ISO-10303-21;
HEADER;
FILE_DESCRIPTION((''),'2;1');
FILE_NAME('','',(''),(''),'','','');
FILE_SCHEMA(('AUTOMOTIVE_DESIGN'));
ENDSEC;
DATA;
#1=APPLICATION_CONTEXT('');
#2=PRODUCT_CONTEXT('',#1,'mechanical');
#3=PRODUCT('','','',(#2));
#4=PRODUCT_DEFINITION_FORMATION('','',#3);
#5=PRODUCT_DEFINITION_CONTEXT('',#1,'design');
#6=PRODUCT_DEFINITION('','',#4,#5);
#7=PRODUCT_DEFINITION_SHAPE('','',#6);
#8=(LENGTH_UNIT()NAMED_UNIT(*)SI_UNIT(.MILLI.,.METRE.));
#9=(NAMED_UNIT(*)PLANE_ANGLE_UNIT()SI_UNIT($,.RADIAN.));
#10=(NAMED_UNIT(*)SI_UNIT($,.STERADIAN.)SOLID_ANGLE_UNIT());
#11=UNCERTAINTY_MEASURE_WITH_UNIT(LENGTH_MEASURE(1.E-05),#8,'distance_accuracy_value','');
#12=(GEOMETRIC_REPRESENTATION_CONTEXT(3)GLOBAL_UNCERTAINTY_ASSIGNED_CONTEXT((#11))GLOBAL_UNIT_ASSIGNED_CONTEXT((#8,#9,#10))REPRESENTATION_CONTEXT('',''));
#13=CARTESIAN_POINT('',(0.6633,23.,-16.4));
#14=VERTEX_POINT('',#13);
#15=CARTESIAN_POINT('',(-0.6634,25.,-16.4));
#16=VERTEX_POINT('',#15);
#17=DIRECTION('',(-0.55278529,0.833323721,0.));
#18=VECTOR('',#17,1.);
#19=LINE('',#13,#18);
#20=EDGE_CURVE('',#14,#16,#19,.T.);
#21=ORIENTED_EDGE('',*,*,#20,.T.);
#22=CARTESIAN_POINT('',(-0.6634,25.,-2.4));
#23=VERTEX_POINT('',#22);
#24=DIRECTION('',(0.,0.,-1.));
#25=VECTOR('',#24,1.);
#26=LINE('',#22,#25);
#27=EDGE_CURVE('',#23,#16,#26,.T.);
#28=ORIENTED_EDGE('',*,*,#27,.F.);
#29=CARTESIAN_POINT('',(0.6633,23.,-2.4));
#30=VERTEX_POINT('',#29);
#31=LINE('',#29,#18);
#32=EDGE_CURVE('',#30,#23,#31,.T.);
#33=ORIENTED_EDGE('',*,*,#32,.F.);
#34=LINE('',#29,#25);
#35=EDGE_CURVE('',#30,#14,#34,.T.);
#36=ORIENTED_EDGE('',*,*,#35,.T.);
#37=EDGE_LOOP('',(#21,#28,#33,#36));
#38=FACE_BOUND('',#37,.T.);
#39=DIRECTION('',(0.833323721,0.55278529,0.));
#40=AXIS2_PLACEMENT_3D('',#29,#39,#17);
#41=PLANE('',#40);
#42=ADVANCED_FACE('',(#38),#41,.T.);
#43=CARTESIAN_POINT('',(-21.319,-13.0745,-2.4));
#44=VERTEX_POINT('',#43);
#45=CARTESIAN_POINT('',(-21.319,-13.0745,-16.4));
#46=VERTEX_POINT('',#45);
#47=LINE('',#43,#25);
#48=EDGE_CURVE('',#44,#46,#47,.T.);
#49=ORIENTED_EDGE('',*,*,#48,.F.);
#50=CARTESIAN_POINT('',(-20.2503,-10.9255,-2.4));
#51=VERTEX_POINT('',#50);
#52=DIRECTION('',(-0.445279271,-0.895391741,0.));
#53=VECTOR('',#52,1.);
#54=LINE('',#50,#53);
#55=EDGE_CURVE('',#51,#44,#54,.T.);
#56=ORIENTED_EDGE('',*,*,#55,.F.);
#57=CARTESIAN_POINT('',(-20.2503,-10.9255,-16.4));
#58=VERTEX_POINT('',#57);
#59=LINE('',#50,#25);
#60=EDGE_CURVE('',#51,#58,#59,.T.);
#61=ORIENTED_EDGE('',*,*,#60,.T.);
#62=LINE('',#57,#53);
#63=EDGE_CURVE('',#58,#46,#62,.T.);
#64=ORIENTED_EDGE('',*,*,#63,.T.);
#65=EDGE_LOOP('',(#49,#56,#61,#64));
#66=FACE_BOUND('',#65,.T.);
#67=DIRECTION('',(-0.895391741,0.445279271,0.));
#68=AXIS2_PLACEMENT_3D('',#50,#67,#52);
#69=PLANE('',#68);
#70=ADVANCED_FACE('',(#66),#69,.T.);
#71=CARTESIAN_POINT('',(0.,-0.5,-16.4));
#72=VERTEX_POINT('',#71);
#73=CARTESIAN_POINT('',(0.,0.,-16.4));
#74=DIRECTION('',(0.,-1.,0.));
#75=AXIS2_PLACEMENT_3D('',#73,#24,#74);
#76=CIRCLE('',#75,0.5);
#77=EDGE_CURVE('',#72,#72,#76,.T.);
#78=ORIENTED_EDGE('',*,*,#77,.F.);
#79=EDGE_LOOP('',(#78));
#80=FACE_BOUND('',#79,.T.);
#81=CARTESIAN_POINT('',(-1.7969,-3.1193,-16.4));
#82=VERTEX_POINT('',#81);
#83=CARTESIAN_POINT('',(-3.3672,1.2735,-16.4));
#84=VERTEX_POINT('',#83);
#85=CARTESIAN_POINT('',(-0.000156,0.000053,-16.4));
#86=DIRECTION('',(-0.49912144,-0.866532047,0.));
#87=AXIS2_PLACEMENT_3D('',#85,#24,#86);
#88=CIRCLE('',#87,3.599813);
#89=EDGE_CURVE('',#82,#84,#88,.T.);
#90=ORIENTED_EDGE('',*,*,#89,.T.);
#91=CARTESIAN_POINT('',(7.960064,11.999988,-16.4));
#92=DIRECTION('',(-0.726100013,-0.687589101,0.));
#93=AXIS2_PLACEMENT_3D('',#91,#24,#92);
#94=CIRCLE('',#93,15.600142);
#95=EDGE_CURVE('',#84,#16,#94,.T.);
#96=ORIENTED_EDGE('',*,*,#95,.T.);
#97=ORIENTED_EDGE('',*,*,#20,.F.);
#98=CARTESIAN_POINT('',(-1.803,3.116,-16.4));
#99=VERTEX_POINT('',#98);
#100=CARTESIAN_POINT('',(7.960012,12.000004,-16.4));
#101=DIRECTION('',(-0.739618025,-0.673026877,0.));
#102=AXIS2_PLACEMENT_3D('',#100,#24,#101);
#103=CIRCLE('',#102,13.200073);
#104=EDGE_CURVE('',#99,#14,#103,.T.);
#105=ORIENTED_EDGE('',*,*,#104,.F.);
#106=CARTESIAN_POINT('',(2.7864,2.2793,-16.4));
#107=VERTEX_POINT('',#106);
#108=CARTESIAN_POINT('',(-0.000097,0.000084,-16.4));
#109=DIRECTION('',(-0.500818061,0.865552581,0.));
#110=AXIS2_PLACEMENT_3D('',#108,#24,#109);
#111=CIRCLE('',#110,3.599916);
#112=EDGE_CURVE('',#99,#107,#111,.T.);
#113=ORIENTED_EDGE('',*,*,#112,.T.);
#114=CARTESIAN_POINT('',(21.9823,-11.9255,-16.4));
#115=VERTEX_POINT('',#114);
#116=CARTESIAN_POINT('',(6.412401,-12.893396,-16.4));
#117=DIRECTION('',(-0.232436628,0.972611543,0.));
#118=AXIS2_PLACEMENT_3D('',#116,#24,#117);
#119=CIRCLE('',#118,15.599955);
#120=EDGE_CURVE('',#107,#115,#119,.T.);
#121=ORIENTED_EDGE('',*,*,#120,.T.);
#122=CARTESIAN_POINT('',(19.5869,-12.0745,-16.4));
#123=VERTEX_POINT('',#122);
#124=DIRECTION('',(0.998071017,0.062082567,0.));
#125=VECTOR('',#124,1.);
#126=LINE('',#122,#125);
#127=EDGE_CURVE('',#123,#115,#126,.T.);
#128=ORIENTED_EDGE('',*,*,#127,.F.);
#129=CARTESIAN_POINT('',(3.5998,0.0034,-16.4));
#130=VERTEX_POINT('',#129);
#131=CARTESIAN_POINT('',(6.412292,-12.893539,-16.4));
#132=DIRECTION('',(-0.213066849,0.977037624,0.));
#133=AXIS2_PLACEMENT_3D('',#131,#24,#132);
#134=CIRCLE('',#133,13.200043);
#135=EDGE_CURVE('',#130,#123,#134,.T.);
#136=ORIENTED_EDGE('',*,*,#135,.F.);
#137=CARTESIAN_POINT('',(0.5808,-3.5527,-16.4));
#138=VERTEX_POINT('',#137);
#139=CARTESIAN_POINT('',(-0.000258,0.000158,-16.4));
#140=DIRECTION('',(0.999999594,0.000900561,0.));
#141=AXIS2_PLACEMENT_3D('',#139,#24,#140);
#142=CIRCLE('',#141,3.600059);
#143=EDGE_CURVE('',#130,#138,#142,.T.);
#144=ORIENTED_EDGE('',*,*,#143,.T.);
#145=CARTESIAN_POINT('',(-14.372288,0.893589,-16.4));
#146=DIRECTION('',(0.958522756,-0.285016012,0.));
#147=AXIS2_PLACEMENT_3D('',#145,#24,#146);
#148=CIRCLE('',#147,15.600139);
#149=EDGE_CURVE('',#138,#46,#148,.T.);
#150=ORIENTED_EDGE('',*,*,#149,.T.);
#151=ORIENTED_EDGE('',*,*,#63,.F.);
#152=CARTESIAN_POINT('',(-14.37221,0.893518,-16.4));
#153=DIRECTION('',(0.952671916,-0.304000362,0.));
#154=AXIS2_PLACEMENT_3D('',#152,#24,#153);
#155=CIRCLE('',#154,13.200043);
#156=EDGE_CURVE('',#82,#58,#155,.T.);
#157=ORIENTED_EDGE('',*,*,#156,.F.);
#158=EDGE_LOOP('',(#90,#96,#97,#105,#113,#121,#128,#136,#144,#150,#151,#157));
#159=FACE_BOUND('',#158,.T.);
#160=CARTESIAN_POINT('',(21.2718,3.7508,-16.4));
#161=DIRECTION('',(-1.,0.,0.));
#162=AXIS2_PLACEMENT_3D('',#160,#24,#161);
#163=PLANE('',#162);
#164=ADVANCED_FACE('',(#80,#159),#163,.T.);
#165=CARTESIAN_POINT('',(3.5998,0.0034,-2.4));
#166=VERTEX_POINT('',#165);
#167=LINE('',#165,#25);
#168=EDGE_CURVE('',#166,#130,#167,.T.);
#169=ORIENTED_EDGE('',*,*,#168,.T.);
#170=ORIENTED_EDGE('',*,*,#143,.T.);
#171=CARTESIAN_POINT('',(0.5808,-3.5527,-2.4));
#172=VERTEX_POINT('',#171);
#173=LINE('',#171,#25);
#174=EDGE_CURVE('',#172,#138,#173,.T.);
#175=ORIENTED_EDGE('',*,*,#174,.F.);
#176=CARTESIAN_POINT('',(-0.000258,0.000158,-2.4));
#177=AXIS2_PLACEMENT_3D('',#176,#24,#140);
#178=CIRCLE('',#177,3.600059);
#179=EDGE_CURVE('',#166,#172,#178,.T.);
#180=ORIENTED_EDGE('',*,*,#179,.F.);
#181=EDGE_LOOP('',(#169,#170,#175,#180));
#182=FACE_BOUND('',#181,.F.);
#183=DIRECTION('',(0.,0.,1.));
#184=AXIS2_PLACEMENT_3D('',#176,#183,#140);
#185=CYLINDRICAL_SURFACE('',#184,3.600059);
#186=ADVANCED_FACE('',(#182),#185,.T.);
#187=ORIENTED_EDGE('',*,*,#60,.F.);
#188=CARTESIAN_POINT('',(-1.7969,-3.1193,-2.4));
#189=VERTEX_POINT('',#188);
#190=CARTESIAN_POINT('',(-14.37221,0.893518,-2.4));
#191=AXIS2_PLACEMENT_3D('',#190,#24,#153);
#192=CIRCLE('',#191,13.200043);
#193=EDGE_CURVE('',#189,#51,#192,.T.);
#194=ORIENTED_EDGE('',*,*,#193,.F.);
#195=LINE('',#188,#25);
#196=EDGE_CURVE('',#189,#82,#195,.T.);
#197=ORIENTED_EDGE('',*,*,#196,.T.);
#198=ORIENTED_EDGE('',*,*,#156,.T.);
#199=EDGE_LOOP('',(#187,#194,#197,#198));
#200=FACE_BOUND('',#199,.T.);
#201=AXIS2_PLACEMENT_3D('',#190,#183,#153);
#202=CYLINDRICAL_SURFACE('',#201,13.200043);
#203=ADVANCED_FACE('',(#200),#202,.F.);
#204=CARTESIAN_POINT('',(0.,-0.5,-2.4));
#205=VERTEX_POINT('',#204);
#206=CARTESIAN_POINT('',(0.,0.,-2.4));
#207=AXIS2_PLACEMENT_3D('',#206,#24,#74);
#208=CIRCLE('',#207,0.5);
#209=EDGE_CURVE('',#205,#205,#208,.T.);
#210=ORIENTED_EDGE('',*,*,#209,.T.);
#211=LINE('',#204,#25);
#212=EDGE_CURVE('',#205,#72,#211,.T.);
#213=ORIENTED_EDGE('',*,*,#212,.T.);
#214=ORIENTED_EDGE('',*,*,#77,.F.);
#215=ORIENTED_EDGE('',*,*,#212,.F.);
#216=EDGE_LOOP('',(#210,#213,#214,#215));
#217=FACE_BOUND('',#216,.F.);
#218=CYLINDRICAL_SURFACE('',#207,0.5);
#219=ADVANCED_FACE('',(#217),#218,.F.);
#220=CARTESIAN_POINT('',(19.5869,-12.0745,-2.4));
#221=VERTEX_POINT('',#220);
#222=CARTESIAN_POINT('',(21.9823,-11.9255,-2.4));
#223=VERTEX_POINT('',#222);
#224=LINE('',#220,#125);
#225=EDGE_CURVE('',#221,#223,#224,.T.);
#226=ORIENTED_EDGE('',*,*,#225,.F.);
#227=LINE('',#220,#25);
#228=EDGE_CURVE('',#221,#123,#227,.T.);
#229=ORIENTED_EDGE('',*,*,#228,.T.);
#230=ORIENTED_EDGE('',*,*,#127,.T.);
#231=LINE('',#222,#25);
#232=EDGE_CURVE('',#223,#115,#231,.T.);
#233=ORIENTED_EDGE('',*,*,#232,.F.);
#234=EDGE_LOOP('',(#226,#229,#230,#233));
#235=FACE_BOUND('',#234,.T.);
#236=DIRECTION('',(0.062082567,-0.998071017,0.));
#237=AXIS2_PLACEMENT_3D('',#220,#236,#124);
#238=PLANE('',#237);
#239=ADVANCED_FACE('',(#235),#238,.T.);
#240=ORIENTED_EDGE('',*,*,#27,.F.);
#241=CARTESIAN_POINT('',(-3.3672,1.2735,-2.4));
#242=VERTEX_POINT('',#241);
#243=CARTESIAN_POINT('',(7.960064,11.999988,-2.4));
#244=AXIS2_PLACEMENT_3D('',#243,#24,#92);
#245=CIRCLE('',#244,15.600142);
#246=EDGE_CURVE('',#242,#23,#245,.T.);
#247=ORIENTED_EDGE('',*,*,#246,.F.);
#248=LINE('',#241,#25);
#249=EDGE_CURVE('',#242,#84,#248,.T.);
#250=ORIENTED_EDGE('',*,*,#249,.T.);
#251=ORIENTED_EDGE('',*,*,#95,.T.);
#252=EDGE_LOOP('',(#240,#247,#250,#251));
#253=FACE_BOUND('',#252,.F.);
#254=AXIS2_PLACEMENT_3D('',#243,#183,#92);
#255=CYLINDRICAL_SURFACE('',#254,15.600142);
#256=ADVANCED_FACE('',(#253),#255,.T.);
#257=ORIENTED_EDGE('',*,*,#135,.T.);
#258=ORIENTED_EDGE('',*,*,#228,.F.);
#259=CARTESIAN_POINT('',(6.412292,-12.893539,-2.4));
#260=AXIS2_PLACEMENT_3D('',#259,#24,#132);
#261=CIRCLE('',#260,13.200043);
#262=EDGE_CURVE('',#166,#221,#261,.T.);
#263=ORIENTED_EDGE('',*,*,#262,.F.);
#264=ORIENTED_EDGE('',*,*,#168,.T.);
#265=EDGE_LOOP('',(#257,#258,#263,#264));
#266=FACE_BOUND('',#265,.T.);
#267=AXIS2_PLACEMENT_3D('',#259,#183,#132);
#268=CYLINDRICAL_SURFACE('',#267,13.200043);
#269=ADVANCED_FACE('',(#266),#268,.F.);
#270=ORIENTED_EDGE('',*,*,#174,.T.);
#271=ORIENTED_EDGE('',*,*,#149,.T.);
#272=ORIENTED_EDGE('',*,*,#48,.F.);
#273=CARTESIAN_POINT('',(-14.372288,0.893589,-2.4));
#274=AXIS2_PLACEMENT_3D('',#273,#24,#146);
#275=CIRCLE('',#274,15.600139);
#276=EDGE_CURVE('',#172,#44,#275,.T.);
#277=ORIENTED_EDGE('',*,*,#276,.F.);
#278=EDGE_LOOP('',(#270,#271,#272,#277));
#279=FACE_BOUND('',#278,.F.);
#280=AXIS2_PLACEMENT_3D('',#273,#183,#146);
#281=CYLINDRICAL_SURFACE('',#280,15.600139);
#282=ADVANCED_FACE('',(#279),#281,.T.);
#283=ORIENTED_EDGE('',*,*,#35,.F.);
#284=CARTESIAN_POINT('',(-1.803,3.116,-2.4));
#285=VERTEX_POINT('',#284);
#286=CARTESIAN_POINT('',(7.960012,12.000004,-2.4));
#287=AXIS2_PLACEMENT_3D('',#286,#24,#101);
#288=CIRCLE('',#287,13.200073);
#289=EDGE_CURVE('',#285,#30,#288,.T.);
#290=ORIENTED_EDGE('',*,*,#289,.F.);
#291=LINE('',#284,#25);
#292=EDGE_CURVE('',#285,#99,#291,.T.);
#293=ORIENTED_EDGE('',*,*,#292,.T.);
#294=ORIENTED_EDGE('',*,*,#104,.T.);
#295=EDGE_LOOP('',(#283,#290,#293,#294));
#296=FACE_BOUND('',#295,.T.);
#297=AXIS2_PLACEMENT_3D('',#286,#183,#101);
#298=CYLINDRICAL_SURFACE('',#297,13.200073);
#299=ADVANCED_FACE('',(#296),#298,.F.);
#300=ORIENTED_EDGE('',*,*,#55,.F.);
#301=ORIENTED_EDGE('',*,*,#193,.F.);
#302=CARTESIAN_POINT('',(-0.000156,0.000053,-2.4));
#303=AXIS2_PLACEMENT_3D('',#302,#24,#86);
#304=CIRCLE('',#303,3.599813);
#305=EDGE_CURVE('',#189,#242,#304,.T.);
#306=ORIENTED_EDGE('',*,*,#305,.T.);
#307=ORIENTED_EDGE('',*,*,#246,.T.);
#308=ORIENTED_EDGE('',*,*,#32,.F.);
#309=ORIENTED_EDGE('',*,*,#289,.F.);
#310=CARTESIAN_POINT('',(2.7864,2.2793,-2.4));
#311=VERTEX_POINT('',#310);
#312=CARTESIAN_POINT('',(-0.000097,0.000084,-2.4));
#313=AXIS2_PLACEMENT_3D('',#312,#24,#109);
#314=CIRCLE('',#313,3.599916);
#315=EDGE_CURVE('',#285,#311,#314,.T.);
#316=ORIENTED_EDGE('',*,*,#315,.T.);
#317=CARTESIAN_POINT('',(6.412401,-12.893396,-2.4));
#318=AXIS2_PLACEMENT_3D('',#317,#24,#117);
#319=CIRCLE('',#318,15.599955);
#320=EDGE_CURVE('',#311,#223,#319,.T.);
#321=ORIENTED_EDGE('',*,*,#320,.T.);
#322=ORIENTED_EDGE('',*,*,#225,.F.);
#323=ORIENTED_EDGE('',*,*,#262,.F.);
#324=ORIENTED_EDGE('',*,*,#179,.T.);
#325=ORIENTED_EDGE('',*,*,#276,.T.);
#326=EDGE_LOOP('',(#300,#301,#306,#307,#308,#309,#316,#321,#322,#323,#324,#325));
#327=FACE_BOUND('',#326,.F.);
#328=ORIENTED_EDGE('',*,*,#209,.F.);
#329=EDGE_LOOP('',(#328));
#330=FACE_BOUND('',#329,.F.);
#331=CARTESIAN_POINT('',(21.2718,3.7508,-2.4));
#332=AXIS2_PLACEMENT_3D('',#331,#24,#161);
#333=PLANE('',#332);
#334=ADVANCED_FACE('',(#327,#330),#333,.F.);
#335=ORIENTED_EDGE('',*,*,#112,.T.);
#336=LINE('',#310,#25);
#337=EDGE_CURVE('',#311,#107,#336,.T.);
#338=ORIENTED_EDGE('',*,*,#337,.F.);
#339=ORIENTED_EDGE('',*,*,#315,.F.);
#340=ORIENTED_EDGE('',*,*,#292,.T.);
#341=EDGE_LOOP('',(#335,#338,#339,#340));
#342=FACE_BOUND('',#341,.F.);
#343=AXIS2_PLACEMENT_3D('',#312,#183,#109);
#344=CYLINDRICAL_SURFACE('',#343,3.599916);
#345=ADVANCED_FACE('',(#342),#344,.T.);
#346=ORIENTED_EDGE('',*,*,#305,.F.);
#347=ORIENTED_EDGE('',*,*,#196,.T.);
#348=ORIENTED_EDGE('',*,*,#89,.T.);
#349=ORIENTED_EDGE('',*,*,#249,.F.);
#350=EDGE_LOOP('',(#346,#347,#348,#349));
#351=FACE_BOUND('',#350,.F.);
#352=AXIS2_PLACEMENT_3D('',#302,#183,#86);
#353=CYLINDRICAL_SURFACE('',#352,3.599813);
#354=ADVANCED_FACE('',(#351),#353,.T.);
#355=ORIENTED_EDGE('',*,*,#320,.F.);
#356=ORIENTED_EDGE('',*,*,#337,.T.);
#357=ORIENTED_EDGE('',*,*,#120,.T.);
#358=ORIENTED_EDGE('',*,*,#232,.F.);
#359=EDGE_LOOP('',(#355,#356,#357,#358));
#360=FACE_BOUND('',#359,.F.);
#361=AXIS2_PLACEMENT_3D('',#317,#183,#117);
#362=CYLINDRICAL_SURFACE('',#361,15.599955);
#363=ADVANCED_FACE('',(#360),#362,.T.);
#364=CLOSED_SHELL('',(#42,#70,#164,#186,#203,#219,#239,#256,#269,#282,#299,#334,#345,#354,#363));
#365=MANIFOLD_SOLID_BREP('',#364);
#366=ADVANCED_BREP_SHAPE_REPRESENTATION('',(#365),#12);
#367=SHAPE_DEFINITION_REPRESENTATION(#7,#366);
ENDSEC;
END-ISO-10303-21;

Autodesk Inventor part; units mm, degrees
ref_plane "YZ Plane" through (0, 0, 0) normal (1, 0, 0) x (0, 1, 0)
ref_plane "XZ Plane" through (0, 0, 0) normal (0, 1, 0) x (-1, 0, 0)
ref_plane "XY Plane" through (0, 0, 0) normal (0, 0, 1) x (1, 0, 0)
ref_plane "Work Plane4" through (21.2718, 3.7508, -2.4) normal (0, 0, -1) x (-1, 0, 0)
sketch "Sketch5" plane through (21.2718, 3.7508, -2.4) normal (0, 0, -1) x (-1, 0, 0)
  arc A0 (24.639, -2.4773) -> (21.9352, 21.2492) centre (13.3117, 8.2492) ccw
  arc A1 (23.0748, -0.6348) -> (20.6085, 19.2492) centre (13.3118, 8.2492) ccw
  arc A2 (23.0687, -6.8701) -> (24.639, -2.4773) centre (21.2719, -3.7507) ccw
  arc A3 (23.0687, -6.8701) -> (41.5221, -14.6763) centre (35.6441, -2.8572) ccw
  line L0 (41.5221, -14.6763) -> (42.5908, -16.8253)
  arc A4 (20.691, -7.3035) -> (42.5908, -16.8253) centre (35.6441, -2.8572) ccw
  arc A5 (17.672, -3.7474) -> (20.691, -7.3035) centre (21.2719, -3.7507) ccw
  arc A6 (18.4854, -1.4715) -> (-0.7105, -15.6763) centre (14.8594, -16.6442) ccw
  arc A7 (23.0748, -0.6348) -> (18.4854, -1.4715) centre (21.2719, -3.7507) ccw
  arc A8 (17.672, -3.7474) -> (1.6849, -15.8253) centre (14.8595, -16.6443) ccw
  line L1 (1.6849, -15.8253) -> (-0.7105, -15.6763)
  line L2 (20.6085, 19.2492) -> (21.9352, 21.2492)
  point P0 (21.2718, -3.7508)
  dimension "d11" = 3.5999
  dimension "d13" = 13.2001
  dimension "d14" = 15.6002
  dimension "d15" = 13.2
  dimension "d16" = 15.5999
  dimension "d17" = 13.2001
  dimension "d18" = 15.6001
extrude "Extrusion2" add sketch "Sketch5" along normal blind 14
sketch "Sketch6" plane through (21.2718, 3.7508, -2.4) normal (0, 0, 1) x (1, 0, 0)
  circle A0 centre (-21.2718, -3.7508) radius 1.5
  dimension "d21" = 3
hole "Hole1" at (0, 0, -2.4) direction (0, 0, -1) diameter 1 depth 14 tip angle 118
properties part number "pump_impeller_rev_2"
